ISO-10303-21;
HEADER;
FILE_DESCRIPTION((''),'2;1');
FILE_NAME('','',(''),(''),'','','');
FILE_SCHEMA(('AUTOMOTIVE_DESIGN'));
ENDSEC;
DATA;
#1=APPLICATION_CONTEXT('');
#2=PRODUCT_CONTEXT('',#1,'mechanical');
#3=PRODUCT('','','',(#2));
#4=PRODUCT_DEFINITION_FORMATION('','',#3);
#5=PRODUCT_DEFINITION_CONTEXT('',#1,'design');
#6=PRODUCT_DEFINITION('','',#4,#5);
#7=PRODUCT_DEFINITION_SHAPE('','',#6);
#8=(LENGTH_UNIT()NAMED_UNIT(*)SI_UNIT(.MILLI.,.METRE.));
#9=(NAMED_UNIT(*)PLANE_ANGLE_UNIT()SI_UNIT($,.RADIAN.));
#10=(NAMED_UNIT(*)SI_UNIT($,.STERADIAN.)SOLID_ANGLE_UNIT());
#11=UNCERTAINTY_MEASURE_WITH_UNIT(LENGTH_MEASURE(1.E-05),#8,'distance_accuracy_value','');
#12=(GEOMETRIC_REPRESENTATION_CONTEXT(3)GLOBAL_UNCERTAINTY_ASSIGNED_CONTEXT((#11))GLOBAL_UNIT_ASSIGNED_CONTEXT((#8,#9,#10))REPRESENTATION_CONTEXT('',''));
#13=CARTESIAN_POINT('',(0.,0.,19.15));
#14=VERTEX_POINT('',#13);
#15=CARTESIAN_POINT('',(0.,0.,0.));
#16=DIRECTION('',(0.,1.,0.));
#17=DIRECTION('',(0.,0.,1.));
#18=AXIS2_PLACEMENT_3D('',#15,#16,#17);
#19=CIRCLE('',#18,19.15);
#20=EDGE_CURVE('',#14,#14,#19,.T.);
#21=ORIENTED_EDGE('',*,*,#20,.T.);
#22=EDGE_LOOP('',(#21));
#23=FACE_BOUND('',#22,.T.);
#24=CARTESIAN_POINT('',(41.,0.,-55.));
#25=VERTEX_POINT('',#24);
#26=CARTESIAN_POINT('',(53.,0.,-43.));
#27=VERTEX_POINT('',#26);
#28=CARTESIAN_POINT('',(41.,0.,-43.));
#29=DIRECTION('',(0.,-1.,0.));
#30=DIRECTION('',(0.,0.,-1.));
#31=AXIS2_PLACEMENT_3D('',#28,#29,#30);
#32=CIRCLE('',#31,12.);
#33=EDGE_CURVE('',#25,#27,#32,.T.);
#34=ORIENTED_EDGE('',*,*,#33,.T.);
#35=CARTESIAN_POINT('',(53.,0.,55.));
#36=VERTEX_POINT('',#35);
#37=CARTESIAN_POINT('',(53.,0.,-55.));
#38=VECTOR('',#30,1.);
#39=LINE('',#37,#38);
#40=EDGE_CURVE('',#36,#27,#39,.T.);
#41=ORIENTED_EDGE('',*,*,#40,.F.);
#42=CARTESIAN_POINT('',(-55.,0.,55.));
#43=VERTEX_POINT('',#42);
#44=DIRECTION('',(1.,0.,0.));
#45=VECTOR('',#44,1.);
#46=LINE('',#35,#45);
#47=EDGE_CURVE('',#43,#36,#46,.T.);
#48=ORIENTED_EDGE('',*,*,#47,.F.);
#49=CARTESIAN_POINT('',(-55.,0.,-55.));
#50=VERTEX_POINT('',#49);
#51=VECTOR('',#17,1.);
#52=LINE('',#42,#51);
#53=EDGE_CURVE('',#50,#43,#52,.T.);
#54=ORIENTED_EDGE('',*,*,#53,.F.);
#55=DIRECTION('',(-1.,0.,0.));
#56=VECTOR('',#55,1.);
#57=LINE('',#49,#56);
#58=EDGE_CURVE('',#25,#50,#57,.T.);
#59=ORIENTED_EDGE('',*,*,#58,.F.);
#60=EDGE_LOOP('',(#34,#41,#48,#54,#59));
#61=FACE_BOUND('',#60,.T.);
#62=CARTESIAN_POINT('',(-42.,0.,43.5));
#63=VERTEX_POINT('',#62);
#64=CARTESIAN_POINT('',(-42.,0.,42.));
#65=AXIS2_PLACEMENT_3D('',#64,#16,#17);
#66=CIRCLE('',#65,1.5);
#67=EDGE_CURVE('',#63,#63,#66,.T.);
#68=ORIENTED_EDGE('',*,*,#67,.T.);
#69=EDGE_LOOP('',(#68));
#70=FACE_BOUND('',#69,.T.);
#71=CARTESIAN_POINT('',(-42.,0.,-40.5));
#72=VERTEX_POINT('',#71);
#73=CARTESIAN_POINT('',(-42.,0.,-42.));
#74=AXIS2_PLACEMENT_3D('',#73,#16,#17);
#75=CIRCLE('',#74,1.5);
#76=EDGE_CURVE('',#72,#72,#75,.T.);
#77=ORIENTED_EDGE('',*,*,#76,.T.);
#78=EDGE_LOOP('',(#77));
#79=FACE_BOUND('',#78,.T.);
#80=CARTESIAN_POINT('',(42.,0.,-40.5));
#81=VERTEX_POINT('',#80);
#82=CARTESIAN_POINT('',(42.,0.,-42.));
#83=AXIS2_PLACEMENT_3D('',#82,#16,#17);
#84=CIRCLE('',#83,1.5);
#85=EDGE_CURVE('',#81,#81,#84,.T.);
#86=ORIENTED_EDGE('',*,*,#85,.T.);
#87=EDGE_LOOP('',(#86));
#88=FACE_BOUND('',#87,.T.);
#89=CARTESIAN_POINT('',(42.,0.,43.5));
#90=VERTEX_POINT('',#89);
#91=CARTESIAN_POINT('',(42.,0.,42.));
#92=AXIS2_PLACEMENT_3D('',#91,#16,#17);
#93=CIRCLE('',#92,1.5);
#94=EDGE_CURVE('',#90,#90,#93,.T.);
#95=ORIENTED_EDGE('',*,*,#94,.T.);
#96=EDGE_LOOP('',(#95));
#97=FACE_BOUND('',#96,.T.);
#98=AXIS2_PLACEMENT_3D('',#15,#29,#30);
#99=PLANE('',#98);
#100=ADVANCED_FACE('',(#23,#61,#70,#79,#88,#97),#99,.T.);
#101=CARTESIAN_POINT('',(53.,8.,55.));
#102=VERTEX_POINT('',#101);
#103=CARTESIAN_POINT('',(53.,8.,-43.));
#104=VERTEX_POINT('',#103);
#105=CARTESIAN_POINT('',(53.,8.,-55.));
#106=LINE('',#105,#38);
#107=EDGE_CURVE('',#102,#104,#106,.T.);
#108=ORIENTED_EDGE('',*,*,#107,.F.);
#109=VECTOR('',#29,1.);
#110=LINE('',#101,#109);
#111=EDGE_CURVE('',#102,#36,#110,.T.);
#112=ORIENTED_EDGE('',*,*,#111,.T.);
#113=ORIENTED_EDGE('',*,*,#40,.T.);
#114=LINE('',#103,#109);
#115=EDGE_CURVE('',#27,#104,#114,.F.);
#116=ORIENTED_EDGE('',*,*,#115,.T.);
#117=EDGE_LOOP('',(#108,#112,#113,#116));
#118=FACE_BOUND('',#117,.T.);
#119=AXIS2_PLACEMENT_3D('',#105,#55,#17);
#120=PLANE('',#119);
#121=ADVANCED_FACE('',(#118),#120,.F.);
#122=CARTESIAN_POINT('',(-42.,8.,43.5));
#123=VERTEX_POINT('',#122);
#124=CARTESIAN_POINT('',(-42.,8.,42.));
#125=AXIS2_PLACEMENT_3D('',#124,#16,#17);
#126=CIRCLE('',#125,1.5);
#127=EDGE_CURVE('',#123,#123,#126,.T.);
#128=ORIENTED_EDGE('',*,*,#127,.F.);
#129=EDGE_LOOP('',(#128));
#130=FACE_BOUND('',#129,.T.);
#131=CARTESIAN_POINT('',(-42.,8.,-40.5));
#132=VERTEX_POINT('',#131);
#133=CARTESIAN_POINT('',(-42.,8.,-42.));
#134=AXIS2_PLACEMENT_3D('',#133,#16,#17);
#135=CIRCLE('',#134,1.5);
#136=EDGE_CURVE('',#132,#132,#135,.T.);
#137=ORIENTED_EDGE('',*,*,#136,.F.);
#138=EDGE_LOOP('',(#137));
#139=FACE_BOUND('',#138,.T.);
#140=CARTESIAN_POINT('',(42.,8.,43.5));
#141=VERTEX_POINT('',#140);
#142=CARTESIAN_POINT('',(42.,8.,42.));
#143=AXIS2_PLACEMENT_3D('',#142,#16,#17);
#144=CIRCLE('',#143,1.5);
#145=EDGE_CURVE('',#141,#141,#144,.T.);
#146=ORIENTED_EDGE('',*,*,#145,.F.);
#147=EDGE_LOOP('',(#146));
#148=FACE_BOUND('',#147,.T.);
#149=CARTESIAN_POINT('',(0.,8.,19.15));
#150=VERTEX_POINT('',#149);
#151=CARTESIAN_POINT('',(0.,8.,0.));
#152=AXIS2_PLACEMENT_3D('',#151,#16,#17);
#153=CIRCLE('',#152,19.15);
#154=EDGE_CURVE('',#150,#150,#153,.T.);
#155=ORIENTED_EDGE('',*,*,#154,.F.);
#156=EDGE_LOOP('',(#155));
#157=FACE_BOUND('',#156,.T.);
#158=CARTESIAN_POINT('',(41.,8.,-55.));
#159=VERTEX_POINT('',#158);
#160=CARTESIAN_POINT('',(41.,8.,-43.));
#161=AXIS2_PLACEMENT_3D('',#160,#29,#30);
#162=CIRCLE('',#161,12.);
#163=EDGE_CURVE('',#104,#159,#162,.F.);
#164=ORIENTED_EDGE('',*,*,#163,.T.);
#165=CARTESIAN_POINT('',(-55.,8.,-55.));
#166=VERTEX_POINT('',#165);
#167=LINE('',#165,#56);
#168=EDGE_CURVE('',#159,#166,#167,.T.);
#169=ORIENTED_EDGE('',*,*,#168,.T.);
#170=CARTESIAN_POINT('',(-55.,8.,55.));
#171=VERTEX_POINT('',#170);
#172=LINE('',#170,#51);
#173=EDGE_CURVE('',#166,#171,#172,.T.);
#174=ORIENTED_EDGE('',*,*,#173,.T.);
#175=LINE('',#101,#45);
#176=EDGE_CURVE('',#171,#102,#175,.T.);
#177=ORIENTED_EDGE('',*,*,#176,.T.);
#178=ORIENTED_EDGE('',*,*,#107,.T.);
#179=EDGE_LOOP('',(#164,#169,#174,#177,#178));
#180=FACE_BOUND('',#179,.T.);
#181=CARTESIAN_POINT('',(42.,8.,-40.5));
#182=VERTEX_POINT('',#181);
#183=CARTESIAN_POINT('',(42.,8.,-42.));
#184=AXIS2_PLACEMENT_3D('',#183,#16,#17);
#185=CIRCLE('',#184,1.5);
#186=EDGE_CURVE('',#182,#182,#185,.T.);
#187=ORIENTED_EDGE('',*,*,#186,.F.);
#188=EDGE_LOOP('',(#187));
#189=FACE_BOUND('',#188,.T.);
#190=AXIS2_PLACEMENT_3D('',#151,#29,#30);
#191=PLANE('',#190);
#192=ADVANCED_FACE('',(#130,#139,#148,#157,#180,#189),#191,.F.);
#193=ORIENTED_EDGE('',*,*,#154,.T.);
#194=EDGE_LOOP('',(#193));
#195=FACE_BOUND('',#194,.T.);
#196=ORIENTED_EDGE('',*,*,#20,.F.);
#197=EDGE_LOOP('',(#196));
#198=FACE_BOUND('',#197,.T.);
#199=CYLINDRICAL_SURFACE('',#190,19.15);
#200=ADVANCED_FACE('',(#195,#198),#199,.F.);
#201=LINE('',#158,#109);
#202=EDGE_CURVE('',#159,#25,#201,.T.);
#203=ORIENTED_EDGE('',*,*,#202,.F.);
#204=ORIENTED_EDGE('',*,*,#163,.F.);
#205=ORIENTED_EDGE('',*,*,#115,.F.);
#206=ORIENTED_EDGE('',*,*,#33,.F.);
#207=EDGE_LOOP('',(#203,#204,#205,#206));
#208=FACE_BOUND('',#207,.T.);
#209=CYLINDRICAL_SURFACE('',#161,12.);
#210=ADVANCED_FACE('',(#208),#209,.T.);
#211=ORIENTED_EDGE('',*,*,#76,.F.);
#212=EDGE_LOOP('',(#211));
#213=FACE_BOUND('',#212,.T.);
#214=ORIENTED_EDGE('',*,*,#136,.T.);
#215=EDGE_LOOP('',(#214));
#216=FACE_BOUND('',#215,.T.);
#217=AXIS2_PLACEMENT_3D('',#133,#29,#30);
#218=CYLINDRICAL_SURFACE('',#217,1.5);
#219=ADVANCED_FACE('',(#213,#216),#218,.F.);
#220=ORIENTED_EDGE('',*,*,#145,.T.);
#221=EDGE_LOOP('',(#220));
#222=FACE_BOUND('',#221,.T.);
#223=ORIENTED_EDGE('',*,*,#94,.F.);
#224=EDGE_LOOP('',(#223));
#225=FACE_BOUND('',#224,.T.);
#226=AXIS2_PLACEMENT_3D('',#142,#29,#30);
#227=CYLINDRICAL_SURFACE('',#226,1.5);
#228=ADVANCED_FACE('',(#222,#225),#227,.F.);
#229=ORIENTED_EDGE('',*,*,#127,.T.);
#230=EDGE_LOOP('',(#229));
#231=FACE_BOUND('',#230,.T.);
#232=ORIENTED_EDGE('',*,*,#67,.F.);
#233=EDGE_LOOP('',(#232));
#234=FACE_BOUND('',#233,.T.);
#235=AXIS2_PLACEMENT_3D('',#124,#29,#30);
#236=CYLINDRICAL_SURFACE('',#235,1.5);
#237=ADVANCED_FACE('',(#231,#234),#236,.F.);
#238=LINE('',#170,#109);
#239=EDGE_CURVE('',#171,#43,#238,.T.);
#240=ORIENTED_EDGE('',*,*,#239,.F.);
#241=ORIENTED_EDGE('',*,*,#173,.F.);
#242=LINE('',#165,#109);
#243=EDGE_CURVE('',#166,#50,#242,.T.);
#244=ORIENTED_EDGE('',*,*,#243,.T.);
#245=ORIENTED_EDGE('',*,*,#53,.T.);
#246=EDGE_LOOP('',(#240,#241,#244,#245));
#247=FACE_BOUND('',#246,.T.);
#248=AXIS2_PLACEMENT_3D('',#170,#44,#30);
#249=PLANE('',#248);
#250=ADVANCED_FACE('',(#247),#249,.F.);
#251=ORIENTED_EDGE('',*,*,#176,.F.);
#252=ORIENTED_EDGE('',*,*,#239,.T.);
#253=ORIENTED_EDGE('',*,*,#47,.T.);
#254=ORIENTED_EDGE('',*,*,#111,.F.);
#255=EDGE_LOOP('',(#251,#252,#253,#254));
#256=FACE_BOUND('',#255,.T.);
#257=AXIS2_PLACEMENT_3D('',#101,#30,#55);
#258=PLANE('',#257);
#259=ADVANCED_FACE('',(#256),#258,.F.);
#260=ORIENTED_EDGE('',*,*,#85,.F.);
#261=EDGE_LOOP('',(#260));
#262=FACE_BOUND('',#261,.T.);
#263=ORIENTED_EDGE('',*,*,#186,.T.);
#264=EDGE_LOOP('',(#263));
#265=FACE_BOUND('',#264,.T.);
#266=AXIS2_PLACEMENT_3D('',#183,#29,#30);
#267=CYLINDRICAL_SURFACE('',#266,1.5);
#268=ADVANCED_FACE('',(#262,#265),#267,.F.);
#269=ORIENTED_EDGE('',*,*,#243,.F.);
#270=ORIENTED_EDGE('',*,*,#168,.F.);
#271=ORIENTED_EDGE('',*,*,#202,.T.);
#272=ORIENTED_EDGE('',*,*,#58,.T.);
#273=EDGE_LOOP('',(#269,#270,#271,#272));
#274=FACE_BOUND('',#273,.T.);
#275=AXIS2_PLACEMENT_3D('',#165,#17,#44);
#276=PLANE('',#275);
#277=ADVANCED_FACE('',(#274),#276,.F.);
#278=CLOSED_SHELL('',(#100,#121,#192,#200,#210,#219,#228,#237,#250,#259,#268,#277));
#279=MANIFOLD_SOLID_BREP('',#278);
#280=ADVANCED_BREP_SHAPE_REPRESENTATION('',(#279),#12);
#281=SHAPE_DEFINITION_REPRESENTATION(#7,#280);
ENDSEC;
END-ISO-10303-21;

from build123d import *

# Parameters (mm, degrees)
SKETCH1_W           = 108
SKETCH1_H           = 110
SKETCH1_R           = 19.15
SKETCH1_R_2         = 1.5
BOSS_EXTRUDE1_DEPTH = 8
FILLET1_R           = 12


with BuildPart() as part:
    # Sketch1 → Boss-Extrude1 (new body)
    with BuildSketch(Plane(origin=(0, 0, 0), x_dir=(1, 0, 0), z_dir=(0, 1, 0))):
        with Locations((-1, 0)):
            Rectangle(SKETCH1_W, SKETCH1_H)
        with Locations(Location((0, 0, 0), (0, 0, 270))):
            Circle(SKETCH1_R, mode=Mode.SUBTRACT)
        with Locations(Location((-42, 42, 0), (0, 0, 270))):
            Circle(SKETCH1_R_2, mode=Mode.SUBTRACT)
        with Locations(Location((42, 42, 0), (0, 0, 270))):
            Circle(SKETCH1_R_2, mode=Mode.SUBTRACT)
        with Locations(Location((42, -42, 0), (0, 0, 270))):
            Circle(SKETCH1_R_2, mode=Mode.SUBTRACT)
        with Locations(Location((-42, -42, 0), (0, 0, 270))):
            Circle(SKETCH1_R_2, mode=Mode.SUBTRACT)
    extrude(amount=BOSS_EXTRUDE1_DEPTH)

    # Fillet1
    fillet1_edges = [part.edges().sort_by_distance(p)[0] for p in [
        (53, 4, -55),
    ]]
    fillet(fillet1_edges, radius=FILLET1_R)


solid = part.part
